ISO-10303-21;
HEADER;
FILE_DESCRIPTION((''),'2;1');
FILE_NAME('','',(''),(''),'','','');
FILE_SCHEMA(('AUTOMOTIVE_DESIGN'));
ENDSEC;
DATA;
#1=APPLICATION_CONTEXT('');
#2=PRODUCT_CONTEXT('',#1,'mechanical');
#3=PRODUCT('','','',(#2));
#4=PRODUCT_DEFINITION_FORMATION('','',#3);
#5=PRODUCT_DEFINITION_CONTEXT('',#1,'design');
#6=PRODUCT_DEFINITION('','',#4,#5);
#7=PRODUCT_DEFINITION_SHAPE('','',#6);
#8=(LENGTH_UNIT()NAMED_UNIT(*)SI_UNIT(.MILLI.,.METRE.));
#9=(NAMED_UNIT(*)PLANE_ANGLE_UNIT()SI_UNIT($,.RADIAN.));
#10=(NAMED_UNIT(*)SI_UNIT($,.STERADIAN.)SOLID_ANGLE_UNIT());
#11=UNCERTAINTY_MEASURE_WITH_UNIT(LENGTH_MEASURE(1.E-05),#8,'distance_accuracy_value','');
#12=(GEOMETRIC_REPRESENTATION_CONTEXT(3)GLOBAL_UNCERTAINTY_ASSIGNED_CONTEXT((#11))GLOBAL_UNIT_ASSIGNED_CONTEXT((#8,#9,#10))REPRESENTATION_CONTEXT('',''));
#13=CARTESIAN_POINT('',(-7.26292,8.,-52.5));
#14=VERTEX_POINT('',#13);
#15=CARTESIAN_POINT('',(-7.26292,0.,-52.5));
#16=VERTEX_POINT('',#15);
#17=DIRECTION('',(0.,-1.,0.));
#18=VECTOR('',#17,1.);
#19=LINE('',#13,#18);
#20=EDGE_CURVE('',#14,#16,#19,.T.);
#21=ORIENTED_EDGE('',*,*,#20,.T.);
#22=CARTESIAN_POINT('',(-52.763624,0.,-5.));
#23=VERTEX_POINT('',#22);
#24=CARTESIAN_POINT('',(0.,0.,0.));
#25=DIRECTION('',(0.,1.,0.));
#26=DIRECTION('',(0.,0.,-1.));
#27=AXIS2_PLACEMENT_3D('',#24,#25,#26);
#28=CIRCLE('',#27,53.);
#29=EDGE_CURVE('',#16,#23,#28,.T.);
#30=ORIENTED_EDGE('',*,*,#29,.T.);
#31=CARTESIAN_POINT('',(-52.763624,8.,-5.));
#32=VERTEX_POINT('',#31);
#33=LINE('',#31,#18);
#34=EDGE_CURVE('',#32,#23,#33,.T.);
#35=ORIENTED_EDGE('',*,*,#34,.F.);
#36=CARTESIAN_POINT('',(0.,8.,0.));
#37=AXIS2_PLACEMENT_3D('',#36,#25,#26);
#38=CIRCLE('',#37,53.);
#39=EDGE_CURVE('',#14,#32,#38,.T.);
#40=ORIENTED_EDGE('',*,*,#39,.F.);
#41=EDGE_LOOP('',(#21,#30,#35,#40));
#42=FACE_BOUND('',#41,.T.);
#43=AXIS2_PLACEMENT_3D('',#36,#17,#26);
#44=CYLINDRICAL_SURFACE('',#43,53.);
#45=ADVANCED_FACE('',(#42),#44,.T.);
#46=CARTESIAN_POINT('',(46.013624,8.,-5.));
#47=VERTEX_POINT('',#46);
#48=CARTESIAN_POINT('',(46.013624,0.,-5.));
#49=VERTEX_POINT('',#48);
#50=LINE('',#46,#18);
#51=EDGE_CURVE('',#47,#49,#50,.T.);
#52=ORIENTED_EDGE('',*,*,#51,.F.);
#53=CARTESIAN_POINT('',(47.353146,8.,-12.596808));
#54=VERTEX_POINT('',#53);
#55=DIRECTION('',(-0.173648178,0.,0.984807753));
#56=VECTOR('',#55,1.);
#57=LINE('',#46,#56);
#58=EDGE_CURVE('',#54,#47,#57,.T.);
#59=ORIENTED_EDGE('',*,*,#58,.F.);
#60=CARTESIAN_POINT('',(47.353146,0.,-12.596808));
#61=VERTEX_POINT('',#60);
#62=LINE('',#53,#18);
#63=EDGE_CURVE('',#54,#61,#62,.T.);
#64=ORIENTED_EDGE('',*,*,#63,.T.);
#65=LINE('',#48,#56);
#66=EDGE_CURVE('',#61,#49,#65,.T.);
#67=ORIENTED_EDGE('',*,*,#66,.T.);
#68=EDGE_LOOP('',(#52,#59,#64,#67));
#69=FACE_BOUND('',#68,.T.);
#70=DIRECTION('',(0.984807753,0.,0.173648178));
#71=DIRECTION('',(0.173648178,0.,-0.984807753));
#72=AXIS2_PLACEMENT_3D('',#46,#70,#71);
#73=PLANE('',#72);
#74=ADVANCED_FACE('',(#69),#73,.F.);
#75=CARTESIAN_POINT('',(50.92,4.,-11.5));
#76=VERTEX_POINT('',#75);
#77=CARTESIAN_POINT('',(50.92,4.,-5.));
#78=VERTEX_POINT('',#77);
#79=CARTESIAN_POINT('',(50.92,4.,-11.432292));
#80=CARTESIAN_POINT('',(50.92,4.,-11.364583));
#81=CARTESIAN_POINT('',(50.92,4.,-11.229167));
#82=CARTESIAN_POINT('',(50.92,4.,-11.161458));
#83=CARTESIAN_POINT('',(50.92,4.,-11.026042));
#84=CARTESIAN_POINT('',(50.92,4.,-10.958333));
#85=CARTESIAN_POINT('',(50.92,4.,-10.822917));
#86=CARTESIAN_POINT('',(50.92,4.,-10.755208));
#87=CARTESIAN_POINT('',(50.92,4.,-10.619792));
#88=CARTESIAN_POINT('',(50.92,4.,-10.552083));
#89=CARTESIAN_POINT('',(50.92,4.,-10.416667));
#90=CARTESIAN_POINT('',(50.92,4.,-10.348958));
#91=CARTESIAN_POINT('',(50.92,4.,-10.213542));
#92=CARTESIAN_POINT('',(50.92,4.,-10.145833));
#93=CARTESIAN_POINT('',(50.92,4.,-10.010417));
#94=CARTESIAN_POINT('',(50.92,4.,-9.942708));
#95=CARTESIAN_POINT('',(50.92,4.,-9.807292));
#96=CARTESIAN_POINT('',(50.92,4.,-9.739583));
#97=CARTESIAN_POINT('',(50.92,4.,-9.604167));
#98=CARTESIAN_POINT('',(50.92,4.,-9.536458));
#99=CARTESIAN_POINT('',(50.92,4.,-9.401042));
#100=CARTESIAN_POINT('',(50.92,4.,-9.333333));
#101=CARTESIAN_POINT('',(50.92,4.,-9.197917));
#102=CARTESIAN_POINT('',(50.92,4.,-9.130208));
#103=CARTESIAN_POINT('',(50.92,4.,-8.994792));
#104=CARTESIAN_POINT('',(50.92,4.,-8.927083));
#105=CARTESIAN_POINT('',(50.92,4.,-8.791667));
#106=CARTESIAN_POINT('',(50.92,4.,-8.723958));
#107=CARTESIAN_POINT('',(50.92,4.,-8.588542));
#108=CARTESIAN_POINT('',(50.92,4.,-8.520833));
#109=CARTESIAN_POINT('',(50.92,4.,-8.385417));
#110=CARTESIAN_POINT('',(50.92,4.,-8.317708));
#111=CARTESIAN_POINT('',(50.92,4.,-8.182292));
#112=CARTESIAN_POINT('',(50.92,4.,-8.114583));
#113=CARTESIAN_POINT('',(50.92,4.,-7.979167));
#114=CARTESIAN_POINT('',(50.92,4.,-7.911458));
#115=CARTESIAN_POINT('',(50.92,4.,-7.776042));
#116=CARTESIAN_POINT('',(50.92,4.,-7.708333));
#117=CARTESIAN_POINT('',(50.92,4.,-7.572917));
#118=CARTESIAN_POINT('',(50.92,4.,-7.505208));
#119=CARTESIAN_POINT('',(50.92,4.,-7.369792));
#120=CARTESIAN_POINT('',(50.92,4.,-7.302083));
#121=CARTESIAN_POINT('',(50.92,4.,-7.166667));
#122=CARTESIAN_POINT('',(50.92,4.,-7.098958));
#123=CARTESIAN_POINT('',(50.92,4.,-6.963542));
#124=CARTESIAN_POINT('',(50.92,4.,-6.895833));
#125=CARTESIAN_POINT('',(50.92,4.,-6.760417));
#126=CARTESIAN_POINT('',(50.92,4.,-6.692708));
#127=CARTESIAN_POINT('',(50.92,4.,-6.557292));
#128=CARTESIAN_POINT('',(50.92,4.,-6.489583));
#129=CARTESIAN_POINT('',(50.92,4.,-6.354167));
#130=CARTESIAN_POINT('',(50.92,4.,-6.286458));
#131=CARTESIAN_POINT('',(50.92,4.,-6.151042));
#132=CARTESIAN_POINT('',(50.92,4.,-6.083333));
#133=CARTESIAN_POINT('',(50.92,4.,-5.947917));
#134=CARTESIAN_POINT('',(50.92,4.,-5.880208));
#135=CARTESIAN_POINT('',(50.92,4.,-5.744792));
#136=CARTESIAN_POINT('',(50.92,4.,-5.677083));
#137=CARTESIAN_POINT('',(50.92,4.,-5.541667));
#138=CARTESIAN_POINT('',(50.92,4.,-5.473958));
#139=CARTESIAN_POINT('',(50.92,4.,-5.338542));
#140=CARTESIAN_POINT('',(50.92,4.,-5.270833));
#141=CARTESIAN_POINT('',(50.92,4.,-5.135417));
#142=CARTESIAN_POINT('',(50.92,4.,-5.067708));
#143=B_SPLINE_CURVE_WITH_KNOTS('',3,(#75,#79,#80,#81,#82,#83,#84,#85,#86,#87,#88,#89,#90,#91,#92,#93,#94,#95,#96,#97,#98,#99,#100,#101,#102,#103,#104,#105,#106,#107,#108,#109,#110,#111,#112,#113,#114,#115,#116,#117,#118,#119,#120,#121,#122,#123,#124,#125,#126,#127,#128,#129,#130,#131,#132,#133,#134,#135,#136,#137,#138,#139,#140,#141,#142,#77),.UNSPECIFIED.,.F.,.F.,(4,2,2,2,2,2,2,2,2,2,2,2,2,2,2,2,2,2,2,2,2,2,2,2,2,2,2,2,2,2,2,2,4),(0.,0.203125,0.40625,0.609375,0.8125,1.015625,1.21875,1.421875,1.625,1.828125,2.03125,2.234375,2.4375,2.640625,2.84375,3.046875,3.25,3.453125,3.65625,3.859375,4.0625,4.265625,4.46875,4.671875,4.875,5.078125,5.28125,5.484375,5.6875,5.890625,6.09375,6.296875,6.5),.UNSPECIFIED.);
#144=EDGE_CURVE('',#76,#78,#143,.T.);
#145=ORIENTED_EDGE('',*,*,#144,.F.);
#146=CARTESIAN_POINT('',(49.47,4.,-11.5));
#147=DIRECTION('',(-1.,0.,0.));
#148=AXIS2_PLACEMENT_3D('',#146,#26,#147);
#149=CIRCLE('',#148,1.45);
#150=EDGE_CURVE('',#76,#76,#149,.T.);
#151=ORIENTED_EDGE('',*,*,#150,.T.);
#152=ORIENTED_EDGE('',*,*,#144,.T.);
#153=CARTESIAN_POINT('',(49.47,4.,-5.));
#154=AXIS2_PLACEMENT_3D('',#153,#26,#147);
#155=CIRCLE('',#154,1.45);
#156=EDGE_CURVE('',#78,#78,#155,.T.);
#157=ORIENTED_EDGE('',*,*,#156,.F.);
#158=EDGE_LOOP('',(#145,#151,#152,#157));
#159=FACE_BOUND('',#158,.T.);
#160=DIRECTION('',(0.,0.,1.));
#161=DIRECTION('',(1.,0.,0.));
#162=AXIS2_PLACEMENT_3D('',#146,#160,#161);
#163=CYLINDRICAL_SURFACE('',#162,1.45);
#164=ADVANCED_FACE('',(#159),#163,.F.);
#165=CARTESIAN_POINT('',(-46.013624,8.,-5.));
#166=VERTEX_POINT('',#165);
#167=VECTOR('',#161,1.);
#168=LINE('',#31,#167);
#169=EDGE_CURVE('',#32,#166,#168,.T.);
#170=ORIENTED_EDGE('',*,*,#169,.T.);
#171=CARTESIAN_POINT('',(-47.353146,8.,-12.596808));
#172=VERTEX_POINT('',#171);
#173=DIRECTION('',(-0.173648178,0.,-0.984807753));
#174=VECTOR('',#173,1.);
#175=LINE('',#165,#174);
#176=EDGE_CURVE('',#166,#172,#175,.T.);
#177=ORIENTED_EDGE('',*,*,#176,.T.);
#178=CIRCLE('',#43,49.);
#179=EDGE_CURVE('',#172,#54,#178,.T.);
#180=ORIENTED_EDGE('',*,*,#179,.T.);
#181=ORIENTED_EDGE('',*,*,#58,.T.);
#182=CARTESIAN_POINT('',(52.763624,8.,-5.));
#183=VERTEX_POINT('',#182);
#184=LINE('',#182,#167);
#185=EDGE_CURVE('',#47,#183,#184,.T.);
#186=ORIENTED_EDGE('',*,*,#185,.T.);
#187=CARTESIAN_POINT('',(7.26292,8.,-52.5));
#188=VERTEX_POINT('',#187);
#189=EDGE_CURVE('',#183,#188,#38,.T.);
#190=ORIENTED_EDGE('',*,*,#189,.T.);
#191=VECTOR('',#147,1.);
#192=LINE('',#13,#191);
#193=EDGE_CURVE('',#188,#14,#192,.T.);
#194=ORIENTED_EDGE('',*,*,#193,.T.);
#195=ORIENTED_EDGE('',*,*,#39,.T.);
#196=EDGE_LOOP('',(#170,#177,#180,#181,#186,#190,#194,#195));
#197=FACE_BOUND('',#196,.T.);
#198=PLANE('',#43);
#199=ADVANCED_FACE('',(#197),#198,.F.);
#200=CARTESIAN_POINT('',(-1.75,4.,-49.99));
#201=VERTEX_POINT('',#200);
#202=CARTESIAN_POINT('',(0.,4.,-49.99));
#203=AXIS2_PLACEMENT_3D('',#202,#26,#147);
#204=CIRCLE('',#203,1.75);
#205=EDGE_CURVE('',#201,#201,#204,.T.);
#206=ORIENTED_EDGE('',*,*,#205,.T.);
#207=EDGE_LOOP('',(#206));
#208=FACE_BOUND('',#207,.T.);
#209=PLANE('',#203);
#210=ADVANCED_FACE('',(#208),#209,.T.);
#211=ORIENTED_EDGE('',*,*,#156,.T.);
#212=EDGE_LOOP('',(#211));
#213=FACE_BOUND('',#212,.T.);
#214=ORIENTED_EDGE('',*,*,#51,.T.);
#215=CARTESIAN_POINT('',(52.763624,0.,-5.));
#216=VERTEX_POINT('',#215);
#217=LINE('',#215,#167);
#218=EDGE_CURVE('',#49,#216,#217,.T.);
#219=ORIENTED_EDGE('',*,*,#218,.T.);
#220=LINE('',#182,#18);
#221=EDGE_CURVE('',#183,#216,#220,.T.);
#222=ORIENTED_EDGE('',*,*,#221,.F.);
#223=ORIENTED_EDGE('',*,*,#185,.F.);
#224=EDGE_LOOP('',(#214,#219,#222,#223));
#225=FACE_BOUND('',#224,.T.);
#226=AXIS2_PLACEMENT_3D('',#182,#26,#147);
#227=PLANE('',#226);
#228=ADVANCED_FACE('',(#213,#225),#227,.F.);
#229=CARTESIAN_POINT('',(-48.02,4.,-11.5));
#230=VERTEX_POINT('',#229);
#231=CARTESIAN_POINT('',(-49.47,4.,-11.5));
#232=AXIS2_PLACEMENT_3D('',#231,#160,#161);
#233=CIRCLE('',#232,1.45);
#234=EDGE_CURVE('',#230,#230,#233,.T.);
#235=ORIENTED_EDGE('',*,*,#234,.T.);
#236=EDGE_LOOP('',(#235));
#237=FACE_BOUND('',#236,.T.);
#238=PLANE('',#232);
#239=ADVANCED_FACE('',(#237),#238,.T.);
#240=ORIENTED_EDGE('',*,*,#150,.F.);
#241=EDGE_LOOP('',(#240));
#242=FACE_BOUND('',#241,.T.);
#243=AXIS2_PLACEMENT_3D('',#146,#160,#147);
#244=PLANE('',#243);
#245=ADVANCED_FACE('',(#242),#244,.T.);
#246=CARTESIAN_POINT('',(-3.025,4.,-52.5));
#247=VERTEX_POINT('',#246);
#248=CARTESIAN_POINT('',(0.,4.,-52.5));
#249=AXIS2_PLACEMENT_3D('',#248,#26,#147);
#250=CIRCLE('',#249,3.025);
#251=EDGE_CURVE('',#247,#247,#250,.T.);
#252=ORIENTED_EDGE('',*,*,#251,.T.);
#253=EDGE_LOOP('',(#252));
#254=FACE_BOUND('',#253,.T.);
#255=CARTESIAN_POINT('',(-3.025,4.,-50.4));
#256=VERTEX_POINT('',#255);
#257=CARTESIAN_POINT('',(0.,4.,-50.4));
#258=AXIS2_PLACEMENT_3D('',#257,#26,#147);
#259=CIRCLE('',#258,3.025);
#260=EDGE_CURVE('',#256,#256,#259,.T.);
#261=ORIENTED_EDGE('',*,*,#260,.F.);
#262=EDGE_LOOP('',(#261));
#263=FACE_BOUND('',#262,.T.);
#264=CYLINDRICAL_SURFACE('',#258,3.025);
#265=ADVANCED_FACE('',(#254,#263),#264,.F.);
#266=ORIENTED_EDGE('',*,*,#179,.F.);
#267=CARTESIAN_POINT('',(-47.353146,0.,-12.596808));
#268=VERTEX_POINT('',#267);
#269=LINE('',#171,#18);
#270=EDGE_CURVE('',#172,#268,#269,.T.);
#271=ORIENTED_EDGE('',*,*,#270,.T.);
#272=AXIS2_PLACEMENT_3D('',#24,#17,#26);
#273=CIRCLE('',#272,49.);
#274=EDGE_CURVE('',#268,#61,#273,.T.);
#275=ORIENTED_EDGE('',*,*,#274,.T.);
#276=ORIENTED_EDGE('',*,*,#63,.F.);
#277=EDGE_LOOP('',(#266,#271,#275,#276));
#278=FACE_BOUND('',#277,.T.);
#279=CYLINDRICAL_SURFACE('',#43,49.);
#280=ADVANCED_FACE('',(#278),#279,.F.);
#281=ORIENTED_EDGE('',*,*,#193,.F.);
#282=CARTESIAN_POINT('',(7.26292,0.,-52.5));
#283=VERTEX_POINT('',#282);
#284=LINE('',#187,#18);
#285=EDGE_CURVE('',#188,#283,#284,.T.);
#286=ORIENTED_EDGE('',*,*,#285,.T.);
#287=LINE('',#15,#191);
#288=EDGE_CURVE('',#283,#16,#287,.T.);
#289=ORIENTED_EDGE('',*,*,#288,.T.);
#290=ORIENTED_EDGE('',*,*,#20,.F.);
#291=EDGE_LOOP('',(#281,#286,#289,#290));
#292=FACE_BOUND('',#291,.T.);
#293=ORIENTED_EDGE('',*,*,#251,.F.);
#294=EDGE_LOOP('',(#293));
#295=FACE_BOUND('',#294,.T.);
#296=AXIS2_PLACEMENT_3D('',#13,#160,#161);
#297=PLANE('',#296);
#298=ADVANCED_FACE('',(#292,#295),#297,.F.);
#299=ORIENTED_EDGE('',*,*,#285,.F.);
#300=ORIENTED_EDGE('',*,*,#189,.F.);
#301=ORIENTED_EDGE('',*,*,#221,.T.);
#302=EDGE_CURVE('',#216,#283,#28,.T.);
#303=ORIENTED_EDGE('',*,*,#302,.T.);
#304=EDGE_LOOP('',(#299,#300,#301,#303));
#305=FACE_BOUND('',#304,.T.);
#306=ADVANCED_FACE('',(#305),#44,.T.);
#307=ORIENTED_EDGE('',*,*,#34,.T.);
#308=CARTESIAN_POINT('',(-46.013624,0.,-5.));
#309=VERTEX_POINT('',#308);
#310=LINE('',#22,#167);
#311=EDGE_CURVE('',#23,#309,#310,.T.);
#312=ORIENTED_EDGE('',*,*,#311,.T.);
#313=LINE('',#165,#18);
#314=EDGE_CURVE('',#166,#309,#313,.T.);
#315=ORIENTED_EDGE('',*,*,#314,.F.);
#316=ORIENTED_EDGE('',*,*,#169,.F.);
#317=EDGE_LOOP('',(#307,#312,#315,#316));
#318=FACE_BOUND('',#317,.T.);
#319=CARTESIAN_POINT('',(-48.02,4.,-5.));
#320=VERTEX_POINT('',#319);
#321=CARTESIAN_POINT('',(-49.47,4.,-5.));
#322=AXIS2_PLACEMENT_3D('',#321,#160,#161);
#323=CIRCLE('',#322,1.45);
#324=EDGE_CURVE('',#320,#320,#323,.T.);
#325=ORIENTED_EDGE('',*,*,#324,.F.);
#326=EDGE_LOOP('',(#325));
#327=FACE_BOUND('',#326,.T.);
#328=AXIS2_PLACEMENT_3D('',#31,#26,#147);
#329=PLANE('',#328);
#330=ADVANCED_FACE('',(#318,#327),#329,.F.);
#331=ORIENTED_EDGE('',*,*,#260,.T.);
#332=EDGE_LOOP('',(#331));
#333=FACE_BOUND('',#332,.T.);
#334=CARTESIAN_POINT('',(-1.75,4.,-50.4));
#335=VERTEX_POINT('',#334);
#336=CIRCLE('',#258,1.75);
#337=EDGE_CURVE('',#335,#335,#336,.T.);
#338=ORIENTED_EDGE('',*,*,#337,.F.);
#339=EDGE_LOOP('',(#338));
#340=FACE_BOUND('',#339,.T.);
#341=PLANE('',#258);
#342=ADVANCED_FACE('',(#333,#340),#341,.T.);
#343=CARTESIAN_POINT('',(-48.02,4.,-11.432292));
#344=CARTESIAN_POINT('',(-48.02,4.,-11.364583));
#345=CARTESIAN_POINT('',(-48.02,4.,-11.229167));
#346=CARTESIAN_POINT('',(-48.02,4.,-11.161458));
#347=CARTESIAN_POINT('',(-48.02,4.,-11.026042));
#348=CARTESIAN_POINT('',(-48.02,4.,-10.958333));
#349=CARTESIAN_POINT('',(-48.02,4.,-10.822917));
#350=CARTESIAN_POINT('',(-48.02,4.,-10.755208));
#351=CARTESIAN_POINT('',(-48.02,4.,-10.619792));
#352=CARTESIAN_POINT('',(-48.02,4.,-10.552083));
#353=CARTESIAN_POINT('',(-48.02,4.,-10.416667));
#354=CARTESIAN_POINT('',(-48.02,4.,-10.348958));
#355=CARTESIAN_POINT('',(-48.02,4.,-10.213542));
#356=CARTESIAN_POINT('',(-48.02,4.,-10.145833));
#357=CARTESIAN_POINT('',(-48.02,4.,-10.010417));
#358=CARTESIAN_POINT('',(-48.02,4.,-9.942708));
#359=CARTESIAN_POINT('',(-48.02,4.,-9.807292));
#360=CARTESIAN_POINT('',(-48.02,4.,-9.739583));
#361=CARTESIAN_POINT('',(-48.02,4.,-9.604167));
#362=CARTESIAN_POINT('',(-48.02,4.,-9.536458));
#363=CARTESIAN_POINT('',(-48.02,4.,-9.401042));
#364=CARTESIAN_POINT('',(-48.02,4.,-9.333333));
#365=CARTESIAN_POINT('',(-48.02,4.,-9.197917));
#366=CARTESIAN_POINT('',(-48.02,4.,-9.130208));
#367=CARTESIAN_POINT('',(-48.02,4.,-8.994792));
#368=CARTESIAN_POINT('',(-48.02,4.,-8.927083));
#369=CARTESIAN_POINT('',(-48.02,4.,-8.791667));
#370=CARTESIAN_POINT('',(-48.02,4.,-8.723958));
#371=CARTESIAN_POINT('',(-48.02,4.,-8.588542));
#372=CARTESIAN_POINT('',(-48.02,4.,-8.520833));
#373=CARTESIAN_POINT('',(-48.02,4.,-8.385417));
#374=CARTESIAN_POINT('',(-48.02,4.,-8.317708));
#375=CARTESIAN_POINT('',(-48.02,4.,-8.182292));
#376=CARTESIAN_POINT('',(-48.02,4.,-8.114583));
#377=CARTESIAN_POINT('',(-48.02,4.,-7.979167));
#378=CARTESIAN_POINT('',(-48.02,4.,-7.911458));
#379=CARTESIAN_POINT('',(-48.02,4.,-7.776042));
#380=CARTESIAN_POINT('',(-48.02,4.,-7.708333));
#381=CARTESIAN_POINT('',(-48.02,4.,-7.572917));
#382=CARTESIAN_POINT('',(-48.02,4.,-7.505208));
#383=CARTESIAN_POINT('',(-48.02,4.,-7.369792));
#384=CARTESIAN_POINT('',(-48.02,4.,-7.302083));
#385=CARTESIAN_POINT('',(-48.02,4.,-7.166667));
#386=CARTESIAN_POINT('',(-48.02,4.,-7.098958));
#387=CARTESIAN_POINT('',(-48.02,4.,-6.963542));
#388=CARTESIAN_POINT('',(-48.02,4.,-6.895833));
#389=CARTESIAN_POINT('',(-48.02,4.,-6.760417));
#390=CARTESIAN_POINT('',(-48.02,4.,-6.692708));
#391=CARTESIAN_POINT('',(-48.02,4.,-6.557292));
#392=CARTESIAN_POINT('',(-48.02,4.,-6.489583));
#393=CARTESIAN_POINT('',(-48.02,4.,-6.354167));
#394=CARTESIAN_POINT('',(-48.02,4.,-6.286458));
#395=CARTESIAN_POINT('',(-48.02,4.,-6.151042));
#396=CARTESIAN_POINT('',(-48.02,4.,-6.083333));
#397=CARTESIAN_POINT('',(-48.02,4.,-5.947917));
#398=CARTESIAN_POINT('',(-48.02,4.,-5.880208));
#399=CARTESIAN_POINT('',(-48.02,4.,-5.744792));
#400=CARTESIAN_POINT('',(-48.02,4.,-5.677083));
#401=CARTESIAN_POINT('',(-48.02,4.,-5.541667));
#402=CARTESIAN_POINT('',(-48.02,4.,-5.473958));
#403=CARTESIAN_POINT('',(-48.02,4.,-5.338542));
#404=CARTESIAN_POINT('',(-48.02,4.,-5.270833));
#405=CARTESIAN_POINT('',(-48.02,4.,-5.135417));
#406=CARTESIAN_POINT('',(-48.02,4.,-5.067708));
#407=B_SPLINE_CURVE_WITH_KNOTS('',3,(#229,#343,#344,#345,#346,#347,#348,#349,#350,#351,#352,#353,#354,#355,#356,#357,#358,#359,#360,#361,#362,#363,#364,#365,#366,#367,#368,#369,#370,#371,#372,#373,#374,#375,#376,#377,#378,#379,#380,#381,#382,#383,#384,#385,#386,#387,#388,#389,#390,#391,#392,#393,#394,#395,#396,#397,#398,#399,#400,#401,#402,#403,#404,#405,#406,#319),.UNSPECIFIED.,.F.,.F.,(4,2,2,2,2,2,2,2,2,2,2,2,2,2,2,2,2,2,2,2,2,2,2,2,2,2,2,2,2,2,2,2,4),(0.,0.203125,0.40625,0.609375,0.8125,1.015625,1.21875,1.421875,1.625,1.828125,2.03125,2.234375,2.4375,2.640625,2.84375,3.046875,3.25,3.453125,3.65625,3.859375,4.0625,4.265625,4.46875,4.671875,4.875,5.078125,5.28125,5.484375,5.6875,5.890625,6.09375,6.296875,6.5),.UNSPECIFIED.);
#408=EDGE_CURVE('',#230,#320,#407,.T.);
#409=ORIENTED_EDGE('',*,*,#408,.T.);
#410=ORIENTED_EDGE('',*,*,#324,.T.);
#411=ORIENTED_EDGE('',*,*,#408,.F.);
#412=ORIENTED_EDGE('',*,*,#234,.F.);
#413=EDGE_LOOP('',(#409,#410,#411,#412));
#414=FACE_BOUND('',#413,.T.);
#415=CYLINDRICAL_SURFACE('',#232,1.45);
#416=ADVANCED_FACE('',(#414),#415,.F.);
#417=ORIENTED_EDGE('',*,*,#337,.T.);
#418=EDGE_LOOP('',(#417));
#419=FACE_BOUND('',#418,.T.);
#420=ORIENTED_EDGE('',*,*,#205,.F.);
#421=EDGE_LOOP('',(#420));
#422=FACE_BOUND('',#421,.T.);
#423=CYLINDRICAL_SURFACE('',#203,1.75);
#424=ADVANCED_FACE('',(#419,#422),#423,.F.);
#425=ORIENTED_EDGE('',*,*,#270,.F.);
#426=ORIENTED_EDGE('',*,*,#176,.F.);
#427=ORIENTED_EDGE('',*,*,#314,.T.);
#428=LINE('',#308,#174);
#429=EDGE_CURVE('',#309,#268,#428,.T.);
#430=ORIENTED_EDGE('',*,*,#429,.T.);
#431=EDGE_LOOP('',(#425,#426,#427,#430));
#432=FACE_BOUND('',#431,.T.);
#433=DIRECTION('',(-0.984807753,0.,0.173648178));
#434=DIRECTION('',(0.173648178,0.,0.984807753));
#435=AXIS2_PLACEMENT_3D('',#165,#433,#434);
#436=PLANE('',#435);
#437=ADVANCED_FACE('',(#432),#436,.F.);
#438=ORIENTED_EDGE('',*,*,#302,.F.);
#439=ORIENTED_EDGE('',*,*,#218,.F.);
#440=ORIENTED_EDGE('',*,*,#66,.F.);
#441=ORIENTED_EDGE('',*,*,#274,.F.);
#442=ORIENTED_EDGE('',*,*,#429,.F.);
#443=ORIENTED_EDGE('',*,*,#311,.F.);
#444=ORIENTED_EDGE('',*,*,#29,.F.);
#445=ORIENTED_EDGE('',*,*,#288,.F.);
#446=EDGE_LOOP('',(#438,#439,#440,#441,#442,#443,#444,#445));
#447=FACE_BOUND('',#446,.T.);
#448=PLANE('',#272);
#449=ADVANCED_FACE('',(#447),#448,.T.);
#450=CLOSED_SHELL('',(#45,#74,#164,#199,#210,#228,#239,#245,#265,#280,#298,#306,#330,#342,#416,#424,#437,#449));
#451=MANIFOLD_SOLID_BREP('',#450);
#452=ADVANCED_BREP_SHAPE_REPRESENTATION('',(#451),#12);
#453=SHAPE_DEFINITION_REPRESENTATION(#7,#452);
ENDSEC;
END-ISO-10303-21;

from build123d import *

# Parameters (mm, degrees)
BOSS_EXTRUDE1_DEPTH = 8
SKETCH4_R           = 3.025
CUT_EXTRUDE3_DEPTH  = 2.1
SKETCH5_R           = 1.45
CUT_EXTRUDE4_DEPTH  = 6.5
SKETCH6_R           = 1.75
CUT_EXTRUDE5_DEPTH  = 0.41


with BuildPart() as part:
    # Sketch1 → Boss-Extrude1 (new body)
    with BuildSketch(Plane(origin=(0, 0, 0), x_dir=(1, 0, 0), z_dir=(0, 1, 0))):
        with BuildLine():
            Line((52.763623833, 5), (46.013623833, 5))
            Line((46.013623833, 5), (47.353145997, 12.596807697))
            ThreePointArc((47.353145997, 12.596807697), (0, 49), (-47.353145997, 12.596807697))
            Line((-47.353145997, 12.596807697), (-46.013623833, 5))
            Line((-46.013623833, 5), (-52.763623833, 5))
            ThreePointArc((-52.763623833, 5), (-38.273476153, 36.66252887), (-7.262919523, 52.5))
            Line((-7.262919523, 52.5), (7.262919523, 52.5))
            ThreePointArc((7.262919523, 52.5), (38.273476153, 36.66252887), (52.763623833, 5))
        make_face()
    extrude(amount=BOSS_EXTRUDE1_DEPTH)

    # Sketch4 → Cut-Extrude3 (cut)
    with BuildSketch(Plane(origin=(0, 0, -52.5), x_dir=(-1, 0, 0), z_dir=(0, 0, -1))):
        with Locations((0, 4)):
            Circle(SKETCH4_R)
    extrude(amount=-CUT_EXTRUDE3_DEPTH, mode=Mode.SUBTRACT)

    # Sketch5 → Cut-Extrude4 (cut)
    with BuildSketch(Plane.XY.offset(-5)):
        with Locations((-49.47, 4)):
            Circle(SKETCH5_R)
    cut_extrude4 = extrude(amount=-CUT_EXTRUDE4_DEPTH, mode=Mode.SUBTRACT)

    # Mirror1: Cut-Extrude4 across plane
    add(cut_extrude4.mirror(Plane(origin=(0, 0, 0), x_dir=(0, 0, 1), z_dir=(1, 0, 0))), mode=Mode.SUBTRACT)

    # Sketch6 → Cut-Extrude5 (cut)
    with BuildSketch(Plane(origin=(0, 0, -50.4), x_dir=(-1, 0, 0), z_dir=(0, 0, -1))):
        with Locations((0, 4)):
            Circle(SKETCH6_R)
    extrude(amount=-CUT_EXTRUDE5_DEPTH, mode=Mode.SUBTRACT)


solid = part.part
